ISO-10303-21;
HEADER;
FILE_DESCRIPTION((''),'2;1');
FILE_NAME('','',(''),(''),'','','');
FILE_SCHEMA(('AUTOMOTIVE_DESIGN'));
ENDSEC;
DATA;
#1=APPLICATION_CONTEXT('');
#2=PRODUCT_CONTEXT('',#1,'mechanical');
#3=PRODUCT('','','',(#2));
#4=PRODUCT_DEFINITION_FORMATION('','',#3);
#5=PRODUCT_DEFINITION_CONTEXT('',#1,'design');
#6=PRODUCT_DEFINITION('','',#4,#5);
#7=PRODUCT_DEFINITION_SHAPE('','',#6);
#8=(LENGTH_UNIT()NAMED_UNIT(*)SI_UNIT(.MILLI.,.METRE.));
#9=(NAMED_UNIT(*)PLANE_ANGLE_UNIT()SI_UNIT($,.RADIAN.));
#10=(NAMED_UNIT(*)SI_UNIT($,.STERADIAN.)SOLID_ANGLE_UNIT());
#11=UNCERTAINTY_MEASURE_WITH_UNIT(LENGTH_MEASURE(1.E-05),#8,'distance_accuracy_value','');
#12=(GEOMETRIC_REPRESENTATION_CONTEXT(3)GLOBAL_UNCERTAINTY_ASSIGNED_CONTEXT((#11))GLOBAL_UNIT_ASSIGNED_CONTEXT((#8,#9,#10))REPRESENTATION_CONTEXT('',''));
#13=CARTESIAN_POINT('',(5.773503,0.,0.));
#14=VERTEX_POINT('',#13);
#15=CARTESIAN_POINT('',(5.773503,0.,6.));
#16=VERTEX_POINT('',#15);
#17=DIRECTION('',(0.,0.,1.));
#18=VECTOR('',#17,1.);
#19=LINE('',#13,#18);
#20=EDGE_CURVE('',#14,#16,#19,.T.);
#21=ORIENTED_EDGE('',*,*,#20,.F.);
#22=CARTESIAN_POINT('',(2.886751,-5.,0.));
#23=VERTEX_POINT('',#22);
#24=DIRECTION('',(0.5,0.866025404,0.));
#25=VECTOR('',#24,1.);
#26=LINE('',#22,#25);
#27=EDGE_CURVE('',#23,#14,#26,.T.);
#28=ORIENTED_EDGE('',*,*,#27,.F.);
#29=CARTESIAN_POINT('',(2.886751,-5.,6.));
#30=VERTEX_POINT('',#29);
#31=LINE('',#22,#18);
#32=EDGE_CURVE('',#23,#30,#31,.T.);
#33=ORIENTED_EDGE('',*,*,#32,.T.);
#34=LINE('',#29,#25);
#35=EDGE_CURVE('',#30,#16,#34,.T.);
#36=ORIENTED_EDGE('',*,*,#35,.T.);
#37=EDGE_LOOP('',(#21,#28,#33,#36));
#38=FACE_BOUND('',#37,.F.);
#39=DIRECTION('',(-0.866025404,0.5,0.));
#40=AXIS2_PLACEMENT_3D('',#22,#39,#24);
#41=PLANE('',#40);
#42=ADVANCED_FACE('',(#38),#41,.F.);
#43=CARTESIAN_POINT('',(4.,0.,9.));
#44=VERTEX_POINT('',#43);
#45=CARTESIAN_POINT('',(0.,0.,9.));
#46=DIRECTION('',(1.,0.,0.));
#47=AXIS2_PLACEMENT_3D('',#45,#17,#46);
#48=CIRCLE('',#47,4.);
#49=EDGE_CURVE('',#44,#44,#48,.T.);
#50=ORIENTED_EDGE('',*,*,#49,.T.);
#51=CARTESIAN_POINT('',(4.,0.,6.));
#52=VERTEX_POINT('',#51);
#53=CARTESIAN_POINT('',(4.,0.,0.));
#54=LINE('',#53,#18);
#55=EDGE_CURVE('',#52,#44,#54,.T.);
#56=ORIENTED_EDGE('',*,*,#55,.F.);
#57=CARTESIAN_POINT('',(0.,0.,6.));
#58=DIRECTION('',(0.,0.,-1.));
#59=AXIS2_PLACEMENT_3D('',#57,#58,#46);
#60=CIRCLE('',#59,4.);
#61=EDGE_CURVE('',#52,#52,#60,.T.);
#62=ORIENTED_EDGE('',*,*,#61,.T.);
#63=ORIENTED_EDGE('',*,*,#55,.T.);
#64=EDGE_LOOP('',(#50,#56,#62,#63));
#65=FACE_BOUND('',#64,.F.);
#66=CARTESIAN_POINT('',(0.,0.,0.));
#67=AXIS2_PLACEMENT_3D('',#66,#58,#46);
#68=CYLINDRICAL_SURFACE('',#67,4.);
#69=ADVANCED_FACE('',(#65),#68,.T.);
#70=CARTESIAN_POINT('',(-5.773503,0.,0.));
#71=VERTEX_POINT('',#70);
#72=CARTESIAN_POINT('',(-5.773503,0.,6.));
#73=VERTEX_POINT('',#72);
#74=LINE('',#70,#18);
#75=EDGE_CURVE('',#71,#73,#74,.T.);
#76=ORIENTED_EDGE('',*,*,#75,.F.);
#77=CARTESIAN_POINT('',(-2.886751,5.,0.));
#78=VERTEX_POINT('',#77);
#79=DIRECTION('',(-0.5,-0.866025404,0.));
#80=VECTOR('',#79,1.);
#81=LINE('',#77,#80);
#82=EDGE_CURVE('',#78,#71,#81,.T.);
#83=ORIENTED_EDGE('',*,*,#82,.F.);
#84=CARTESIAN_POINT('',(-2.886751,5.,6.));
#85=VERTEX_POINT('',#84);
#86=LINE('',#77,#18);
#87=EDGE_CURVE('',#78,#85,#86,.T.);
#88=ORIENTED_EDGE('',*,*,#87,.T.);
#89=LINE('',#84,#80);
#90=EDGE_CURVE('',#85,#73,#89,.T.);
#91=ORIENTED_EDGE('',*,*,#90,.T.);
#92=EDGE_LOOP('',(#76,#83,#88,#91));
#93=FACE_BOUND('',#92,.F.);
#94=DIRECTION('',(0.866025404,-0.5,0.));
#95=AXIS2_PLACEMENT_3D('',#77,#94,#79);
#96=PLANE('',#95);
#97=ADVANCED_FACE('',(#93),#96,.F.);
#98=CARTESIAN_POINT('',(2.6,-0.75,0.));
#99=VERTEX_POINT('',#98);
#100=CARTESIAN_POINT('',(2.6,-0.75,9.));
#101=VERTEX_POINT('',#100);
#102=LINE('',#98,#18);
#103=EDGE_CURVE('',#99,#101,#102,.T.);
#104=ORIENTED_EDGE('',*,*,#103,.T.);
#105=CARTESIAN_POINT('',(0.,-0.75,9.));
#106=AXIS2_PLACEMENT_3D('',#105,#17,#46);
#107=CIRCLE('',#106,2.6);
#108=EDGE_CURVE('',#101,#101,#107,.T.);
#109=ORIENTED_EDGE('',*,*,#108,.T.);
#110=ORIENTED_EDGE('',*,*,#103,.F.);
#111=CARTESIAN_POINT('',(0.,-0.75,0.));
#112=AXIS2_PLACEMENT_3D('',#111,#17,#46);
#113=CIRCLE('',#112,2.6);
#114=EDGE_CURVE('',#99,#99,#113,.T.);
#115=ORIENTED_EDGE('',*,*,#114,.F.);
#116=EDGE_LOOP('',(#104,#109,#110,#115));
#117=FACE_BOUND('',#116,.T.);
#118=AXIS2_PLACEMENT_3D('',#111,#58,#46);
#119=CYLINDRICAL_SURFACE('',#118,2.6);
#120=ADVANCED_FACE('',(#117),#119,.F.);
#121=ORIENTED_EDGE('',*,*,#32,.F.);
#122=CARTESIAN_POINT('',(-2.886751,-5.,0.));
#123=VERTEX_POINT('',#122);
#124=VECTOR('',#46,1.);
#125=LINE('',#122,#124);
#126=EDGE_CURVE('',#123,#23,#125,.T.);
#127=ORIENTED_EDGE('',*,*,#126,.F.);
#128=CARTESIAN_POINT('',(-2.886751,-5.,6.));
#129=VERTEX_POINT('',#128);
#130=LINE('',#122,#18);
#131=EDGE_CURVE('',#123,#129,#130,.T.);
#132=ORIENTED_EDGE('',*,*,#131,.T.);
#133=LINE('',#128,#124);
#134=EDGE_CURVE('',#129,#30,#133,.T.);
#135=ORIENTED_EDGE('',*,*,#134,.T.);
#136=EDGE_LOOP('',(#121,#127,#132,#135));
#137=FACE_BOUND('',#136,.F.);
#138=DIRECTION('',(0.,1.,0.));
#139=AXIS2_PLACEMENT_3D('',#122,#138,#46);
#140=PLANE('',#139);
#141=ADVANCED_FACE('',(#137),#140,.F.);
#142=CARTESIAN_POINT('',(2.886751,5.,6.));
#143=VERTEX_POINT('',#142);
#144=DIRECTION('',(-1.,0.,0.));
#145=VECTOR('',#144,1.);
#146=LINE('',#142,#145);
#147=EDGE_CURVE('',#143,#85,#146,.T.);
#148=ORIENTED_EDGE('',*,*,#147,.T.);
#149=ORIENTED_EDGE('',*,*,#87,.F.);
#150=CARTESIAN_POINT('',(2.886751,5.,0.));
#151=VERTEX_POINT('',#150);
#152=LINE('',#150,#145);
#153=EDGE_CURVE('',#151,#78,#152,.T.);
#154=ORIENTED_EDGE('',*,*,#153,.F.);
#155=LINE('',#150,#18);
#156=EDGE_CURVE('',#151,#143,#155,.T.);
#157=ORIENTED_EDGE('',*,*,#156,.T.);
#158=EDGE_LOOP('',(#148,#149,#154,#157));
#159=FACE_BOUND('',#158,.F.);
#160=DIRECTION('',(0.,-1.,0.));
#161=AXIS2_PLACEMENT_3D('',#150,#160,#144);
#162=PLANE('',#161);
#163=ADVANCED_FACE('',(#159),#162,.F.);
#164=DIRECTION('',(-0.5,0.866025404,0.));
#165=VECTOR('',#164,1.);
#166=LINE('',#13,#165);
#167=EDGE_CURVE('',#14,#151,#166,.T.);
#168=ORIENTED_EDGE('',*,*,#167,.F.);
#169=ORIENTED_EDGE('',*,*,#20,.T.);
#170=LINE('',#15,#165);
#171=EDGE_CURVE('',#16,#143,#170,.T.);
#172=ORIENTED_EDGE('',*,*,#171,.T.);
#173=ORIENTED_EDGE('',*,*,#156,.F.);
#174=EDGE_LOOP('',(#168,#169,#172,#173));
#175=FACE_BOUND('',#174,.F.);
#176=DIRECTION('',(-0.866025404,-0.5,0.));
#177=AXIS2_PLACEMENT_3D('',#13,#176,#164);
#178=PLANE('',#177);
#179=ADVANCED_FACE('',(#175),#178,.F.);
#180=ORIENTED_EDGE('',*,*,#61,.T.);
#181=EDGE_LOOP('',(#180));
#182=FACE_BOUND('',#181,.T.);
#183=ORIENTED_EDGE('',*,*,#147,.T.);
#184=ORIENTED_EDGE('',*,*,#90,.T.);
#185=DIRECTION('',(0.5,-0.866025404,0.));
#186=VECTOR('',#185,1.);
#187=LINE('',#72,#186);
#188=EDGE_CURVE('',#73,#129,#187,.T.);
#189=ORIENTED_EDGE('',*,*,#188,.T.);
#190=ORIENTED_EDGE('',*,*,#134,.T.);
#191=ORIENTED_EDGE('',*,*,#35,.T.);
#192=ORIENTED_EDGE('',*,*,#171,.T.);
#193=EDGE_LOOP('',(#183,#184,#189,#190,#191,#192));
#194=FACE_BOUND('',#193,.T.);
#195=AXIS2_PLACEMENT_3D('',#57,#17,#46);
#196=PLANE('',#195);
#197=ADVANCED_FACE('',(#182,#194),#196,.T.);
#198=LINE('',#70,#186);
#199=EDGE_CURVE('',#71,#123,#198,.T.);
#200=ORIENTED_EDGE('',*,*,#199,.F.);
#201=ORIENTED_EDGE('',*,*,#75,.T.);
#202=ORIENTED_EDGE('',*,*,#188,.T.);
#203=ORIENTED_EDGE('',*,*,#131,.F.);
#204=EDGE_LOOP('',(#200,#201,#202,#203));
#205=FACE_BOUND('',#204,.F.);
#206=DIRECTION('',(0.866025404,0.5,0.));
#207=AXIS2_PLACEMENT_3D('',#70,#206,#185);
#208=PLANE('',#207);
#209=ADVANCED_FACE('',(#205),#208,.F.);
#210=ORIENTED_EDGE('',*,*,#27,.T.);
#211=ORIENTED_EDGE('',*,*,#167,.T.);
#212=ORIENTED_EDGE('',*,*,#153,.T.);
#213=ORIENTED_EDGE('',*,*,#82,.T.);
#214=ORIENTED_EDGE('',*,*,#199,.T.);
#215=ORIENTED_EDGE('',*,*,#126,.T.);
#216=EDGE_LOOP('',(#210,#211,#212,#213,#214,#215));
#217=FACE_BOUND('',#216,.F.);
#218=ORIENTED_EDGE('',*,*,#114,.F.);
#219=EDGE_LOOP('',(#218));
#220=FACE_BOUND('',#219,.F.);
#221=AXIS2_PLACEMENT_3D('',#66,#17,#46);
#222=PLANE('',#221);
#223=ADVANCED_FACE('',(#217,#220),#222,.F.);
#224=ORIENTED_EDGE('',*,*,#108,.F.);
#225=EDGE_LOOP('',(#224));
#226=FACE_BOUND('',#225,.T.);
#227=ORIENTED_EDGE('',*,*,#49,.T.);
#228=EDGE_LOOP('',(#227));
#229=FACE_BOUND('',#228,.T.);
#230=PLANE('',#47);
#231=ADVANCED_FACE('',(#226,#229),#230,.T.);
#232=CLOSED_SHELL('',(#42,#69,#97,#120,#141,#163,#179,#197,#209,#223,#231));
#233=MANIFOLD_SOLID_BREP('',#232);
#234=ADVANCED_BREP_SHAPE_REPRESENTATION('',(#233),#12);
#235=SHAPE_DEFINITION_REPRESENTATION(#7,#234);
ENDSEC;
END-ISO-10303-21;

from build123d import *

# Parameters (mm, degrees)
F2_R     = 4
F2_R_2   = 2.6
F3_DEPTH = 6
F4_DEPTH = 9


with BuildPart() as f3:
    # F2 (on Top) → F3 (new body)
    with BuildSketch(Plane.XY):
        Polygon((2.8867513459, 5), (-2.8867513459, 5), (-5.7735026919, 0), (-2.8867513459, -5), (2.8867513459, -5), (5.7735026919, 0), align=None)
        Circle(F2_R, mode=Mode.SUBTRACT)
        Circle(F2_R)
        with Locations((0, -0.75)):
            Circle(F2_R_2, mode=Mode.SUBTRACT)
    extrude(amount=F3_DEPTH)

    # F2 (on Top) → F4 (join)
    with BuildSketch(Plane.XY):
        Circle(F2_R)
        with Locations((0, -0.75)):
            Circle(F2_R_2, mode=Mode.SUBTRACT)
    extrude(amount=F4_DEPTH)


solid = f3.part
